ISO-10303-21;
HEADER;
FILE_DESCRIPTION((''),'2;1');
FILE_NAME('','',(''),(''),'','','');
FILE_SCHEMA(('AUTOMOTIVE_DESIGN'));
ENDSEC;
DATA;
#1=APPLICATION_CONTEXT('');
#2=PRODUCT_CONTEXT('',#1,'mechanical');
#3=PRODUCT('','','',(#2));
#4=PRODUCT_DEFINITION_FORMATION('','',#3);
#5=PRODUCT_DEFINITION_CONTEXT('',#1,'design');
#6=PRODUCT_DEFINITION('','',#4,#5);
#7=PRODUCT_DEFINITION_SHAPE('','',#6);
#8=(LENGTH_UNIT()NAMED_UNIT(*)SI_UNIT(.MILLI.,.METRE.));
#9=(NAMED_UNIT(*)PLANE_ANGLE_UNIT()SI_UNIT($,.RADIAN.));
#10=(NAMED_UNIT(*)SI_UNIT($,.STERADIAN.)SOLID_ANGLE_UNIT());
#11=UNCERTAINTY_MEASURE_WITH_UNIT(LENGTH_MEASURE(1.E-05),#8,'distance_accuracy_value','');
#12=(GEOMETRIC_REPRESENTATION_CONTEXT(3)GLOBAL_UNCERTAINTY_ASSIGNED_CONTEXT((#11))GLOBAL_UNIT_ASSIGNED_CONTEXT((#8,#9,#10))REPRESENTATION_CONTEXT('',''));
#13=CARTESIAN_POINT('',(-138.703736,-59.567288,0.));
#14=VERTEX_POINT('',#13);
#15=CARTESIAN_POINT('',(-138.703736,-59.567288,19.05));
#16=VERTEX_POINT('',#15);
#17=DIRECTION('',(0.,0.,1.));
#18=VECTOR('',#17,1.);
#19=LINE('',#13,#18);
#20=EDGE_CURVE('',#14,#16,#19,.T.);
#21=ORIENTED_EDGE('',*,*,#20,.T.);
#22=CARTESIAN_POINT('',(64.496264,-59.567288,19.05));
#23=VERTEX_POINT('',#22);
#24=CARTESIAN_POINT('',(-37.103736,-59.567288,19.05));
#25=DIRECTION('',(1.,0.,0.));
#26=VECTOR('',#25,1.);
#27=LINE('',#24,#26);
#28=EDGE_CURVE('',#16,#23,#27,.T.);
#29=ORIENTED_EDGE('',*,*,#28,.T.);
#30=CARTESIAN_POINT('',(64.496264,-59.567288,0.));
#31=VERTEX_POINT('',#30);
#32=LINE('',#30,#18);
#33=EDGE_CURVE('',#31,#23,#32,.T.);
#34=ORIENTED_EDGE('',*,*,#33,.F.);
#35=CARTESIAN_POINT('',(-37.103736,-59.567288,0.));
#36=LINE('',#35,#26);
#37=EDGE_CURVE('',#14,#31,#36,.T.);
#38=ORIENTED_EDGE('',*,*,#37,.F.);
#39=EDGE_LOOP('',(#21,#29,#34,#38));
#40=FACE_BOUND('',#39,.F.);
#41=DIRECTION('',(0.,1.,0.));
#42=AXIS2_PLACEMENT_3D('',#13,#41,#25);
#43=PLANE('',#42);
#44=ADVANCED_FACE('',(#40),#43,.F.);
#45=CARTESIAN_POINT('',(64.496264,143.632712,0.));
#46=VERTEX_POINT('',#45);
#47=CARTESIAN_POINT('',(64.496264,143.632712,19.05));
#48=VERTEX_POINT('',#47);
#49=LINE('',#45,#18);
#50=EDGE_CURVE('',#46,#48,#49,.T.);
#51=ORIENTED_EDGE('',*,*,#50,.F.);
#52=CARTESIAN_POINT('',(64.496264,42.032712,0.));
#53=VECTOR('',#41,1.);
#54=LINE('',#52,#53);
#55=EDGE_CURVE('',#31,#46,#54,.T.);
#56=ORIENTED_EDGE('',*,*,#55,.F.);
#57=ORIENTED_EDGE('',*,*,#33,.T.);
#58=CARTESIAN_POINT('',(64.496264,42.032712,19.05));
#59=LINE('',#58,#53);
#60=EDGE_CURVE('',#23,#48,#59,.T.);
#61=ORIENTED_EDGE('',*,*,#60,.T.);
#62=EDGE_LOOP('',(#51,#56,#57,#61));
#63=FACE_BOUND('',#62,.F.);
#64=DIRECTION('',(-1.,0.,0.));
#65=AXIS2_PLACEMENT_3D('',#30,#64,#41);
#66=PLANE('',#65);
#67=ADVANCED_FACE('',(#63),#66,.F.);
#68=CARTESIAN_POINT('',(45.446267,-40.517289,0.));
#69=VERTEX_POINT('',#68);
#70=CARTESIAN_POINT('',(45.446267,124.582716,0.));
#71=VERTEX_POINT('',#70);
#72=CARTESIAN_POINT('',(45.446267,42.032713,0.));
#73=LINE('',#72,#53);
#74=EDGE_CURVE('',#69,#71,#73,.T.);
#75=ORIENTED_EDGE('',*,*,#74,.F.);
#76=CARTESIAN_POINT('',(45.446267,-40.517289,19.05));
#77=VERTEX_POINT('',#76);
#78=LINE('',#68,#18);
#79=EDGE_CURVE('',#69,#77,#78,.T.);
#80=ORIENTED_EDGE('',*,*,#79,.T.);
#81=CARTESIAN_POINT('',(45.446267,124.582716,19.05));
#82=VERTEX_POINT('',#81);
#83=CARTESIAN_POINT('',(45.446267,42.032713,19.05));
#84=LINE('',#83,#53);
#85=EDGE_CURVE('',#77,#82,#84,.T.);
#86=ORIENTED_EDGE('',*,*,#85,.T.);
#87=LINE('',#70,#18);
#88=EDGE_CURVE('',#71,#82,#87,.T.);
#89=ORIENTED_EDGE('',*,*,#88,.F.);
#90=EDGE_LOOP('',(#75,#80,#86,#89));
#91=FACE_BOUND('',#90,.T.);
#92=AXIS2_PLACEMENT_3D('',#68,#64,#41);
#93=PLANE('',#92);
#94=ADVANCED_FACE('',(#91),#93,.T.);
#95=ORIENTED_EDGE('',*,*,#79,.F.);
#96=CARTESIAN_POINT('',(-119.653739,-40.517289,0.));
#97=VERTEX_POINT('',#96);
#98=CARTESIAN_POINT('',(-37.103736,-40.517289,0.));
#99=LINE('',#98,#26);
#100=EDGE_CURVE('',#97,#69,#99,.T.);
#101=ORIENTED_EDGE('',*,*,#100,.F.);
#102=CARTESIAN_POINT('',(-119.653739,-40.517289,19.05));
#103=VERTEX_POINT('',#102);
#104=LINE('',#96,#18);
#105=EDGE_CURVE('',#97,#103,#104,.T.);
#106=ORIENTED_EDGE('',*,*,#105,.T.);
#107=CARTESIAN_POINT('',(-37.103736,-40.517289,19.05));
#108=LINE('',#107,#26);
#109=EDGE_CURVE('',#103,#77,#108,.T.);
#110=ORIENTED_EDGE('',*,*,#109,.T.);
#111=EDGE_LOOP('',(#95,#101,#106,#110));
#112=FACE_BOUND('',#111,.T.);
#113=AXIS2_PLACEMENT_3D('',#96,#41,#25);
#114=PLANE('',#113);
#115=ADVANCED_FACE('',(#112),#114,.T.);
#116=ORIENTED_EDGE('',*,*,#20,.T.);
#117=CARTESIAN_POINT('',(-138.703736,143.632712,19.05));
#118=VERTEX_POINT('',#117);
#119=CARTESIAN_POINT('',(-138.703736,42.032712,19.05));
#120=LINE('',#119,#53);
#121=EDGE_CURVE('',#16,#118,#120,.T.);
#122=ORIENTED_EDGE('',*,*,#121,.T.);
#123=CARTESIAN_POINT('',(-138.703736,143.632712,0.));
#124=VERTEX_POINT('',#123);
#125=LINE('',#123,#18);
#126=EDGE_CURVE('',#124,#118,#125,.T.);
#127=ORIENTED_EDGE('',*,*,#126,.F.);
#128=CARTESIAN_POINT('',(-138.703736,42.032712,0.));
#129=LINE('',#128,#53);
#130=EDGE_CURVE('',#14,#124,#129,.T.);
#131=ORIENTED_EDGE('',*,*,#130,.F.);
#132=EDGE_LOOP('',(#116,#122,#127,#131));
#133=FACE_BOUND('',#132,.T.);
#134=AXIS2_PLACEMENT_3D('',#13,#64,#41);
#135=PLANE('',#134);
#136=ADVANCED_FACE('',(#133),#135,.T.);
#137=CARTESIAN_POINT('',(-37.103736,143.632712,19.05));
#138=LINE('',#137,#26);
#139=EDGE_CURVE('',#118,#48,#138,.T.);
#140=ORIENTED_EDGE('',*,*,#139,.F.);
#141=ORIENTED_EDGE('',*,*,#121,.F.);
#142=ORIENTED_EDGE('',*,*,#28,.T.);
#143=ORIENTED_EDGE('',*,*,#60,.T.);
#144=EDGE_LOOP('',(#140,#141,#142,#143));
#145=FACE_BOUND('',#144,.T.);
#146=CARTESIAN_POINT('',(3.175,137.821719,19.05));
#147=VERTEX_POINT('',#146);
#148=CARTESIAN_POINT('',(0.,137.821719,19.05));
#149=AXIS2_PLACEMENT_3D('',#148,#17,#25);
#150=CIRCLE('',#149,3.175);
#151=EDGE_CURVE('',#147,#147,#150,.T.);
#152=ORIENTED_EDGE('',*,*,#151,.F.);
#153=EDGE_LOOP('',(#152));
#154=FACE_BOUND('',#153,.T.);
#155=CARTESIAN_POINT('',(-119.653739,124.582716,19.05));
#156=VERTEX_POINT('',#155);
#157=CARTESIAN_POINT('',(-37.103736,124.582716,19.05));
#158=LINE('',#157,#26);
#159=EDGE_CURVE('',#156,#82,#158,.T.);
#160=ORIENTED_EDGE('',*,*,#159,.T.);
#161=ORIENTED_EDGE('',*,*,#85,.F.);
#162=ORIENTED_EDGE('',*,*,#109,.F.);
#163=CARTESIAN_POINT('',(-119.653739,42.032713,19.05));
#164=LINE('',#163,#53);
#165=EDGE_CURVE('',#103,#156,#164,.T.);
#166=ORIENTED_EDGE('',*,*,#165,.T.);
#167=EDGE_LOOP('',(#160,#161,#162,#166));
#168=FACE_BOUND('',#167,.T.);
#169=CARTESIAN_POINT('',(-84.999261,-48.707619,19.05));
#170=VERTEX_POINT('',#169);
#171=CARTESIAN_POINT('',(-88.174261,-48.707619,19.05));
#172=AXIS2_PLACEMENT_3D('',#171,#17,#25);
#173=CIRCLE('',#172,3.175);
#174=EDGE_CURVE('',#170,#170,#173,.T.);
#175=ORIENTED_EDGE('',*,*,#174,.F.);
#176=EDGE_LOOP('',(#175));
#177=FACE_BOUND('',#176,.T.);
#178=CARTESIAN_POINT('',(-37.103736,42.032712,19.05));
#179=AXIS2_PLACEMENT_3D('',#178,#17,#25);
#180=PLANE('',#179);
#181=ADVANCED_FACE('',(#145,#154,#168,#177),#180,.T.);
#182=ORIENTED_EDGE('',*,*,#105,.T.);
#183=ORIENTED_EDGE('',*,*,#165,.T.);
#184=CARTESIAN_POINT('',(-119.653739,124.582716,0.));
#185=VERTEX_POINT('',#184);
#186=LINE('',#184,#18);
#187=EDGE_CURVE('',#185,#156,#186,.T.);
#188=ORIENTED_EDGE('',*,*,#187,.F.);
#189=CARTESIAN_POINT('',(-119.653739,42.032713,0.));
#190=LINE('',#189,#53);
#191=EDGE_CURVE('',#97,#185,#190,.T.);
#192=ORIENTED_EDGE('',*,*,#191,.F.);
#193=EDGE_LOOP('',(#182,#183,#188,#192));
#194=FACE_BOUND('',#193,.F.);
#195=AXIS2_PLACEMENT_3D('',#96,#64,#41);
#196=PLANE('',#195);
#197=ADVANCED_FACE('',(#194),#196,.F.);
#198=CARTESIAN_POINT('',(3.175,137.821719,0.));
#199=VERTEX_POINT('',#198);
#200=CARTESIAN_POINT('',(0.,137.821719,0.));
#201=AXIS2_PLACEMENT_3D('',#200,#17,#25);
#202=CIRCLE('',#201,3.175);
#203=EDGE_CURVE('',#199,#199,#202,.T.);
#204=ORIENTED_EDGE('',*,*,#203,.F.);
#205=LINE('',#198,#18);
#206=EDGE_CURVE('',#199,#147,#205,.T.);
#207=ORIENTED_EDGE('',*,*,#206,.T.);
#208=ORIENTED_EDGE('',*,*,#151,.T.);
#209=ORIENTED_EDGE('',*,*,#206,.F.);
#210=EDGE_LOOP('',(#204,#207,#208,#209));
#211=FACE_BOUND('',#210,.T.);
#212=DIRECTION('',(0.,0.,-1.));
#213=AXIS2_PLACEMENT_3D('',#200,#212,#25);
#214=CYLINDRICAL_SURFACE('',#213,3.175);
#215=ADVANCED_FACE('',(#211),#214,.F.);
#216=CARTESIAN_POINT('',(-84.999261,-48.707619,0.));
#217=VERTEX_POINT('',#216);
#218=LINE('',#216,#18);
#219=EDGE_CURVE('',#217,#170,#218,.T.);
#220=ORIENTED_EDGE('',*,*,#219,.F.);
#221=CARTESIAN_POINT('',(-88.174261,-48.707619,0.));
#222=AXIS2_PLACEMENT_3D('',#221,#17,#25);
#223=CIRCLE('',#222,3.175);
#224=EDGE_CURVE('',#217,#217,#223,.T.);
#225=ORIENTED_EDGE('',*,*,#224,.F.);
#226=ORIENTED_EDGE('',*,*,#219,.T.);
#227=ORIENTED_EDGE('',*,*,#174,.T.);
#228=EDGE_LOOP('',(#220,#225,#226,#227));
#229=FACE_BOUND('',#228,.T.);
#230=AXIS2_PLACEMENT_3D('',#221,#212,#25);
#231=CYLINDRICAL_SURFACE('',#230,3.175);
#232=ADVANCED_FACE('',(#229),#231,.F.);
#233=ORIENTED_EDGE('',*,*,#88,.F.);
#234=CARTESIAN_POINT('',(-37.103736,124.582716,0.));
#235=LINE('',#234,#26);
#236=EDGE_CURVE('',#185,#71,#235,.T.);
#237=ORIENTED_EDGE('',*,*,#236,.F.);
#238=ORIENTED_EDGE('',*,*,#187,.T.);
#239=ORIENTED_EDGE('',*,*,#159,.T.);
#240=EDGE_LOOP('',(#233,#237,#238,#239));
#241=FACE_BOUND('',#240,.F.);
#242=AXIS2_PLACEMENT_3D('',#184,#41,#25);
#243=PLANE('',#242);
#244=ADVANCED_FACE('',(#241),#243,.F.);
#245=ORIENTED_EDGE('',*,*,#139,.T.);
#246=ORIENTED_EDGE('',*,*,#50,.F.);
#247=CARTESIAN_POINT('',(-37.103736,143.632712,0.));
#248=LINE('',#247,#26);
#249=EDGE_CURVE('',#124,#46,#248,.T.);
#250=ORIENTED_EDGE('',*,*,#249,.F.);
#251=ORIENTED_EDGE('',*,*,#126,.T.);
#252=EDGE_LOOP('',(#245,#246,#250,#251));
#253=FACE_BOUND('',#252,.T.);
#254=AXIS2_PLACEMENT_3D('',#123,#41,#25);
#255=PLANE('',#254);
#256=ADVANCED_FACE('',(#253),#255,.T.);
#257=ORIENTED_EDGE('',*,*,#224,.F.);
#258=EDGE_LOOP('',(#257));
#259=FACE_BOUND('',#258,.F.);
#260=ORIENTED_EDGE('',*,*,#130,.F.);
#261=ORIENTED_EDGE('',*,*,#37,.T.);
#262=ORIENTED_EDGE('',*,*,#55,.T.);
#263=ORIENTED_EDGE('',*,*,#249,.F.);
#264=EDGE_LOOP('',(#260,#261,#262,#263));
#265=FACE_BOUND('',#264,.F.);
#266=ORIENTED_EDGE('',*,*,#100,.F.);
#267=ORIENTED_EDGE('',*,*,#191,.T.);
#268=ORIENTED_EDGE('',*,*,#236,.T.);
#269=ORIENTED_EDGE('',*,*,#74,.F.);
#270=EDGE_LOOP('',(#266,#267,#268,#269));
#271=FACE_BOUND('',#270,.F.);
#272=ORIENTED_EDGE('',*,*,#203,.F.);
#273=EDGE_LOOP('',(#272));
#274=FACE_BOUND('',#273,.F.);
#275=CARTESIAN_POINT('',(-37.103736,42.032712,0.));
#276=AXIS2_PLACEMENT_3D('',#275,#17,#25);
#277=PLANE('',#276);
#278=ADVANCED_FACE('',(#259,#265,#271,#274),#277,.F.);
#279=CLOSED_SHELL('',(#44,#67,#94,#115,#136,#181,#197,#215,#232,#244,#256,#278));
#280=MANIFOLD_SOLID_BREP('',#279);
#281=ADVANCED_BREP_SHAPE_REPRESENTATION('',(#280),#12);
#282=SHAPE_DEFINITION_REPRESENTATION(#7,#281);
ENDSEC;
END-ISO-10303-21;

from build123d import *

# Parameters (mm, degrees)
F0_W     = 203.2
F0_H     = 203.2
F0_R     = 3.175
F0_W_2   = 165.100006
F0_H_2   = 165.100005
F1_DEPTH = 19.05


with BuildPart() as f1:
    # F0 (on Top) → F1 (new body)
    with BuildSketch(Plane.XY):
        with Locations((-37.103736, 42.032712)):
            Rectangle(F0_W, F0_H)
        with Locations((-88.174261, -48.707619)):
            Circle(F0_R, mode=Mode.SUBTRACT)
        with Locations((-37.103736, 42.032713)):
            Rectangle(F0_W_2, F0_H_2, mode=Mode.SUBTRACT)
        with Locations((0, 137.821719)):
            Circle(F0_R, mode=Mode.SUBTRACT)
    extrude(amount=F1_DEPTH)


solid = f1.part
